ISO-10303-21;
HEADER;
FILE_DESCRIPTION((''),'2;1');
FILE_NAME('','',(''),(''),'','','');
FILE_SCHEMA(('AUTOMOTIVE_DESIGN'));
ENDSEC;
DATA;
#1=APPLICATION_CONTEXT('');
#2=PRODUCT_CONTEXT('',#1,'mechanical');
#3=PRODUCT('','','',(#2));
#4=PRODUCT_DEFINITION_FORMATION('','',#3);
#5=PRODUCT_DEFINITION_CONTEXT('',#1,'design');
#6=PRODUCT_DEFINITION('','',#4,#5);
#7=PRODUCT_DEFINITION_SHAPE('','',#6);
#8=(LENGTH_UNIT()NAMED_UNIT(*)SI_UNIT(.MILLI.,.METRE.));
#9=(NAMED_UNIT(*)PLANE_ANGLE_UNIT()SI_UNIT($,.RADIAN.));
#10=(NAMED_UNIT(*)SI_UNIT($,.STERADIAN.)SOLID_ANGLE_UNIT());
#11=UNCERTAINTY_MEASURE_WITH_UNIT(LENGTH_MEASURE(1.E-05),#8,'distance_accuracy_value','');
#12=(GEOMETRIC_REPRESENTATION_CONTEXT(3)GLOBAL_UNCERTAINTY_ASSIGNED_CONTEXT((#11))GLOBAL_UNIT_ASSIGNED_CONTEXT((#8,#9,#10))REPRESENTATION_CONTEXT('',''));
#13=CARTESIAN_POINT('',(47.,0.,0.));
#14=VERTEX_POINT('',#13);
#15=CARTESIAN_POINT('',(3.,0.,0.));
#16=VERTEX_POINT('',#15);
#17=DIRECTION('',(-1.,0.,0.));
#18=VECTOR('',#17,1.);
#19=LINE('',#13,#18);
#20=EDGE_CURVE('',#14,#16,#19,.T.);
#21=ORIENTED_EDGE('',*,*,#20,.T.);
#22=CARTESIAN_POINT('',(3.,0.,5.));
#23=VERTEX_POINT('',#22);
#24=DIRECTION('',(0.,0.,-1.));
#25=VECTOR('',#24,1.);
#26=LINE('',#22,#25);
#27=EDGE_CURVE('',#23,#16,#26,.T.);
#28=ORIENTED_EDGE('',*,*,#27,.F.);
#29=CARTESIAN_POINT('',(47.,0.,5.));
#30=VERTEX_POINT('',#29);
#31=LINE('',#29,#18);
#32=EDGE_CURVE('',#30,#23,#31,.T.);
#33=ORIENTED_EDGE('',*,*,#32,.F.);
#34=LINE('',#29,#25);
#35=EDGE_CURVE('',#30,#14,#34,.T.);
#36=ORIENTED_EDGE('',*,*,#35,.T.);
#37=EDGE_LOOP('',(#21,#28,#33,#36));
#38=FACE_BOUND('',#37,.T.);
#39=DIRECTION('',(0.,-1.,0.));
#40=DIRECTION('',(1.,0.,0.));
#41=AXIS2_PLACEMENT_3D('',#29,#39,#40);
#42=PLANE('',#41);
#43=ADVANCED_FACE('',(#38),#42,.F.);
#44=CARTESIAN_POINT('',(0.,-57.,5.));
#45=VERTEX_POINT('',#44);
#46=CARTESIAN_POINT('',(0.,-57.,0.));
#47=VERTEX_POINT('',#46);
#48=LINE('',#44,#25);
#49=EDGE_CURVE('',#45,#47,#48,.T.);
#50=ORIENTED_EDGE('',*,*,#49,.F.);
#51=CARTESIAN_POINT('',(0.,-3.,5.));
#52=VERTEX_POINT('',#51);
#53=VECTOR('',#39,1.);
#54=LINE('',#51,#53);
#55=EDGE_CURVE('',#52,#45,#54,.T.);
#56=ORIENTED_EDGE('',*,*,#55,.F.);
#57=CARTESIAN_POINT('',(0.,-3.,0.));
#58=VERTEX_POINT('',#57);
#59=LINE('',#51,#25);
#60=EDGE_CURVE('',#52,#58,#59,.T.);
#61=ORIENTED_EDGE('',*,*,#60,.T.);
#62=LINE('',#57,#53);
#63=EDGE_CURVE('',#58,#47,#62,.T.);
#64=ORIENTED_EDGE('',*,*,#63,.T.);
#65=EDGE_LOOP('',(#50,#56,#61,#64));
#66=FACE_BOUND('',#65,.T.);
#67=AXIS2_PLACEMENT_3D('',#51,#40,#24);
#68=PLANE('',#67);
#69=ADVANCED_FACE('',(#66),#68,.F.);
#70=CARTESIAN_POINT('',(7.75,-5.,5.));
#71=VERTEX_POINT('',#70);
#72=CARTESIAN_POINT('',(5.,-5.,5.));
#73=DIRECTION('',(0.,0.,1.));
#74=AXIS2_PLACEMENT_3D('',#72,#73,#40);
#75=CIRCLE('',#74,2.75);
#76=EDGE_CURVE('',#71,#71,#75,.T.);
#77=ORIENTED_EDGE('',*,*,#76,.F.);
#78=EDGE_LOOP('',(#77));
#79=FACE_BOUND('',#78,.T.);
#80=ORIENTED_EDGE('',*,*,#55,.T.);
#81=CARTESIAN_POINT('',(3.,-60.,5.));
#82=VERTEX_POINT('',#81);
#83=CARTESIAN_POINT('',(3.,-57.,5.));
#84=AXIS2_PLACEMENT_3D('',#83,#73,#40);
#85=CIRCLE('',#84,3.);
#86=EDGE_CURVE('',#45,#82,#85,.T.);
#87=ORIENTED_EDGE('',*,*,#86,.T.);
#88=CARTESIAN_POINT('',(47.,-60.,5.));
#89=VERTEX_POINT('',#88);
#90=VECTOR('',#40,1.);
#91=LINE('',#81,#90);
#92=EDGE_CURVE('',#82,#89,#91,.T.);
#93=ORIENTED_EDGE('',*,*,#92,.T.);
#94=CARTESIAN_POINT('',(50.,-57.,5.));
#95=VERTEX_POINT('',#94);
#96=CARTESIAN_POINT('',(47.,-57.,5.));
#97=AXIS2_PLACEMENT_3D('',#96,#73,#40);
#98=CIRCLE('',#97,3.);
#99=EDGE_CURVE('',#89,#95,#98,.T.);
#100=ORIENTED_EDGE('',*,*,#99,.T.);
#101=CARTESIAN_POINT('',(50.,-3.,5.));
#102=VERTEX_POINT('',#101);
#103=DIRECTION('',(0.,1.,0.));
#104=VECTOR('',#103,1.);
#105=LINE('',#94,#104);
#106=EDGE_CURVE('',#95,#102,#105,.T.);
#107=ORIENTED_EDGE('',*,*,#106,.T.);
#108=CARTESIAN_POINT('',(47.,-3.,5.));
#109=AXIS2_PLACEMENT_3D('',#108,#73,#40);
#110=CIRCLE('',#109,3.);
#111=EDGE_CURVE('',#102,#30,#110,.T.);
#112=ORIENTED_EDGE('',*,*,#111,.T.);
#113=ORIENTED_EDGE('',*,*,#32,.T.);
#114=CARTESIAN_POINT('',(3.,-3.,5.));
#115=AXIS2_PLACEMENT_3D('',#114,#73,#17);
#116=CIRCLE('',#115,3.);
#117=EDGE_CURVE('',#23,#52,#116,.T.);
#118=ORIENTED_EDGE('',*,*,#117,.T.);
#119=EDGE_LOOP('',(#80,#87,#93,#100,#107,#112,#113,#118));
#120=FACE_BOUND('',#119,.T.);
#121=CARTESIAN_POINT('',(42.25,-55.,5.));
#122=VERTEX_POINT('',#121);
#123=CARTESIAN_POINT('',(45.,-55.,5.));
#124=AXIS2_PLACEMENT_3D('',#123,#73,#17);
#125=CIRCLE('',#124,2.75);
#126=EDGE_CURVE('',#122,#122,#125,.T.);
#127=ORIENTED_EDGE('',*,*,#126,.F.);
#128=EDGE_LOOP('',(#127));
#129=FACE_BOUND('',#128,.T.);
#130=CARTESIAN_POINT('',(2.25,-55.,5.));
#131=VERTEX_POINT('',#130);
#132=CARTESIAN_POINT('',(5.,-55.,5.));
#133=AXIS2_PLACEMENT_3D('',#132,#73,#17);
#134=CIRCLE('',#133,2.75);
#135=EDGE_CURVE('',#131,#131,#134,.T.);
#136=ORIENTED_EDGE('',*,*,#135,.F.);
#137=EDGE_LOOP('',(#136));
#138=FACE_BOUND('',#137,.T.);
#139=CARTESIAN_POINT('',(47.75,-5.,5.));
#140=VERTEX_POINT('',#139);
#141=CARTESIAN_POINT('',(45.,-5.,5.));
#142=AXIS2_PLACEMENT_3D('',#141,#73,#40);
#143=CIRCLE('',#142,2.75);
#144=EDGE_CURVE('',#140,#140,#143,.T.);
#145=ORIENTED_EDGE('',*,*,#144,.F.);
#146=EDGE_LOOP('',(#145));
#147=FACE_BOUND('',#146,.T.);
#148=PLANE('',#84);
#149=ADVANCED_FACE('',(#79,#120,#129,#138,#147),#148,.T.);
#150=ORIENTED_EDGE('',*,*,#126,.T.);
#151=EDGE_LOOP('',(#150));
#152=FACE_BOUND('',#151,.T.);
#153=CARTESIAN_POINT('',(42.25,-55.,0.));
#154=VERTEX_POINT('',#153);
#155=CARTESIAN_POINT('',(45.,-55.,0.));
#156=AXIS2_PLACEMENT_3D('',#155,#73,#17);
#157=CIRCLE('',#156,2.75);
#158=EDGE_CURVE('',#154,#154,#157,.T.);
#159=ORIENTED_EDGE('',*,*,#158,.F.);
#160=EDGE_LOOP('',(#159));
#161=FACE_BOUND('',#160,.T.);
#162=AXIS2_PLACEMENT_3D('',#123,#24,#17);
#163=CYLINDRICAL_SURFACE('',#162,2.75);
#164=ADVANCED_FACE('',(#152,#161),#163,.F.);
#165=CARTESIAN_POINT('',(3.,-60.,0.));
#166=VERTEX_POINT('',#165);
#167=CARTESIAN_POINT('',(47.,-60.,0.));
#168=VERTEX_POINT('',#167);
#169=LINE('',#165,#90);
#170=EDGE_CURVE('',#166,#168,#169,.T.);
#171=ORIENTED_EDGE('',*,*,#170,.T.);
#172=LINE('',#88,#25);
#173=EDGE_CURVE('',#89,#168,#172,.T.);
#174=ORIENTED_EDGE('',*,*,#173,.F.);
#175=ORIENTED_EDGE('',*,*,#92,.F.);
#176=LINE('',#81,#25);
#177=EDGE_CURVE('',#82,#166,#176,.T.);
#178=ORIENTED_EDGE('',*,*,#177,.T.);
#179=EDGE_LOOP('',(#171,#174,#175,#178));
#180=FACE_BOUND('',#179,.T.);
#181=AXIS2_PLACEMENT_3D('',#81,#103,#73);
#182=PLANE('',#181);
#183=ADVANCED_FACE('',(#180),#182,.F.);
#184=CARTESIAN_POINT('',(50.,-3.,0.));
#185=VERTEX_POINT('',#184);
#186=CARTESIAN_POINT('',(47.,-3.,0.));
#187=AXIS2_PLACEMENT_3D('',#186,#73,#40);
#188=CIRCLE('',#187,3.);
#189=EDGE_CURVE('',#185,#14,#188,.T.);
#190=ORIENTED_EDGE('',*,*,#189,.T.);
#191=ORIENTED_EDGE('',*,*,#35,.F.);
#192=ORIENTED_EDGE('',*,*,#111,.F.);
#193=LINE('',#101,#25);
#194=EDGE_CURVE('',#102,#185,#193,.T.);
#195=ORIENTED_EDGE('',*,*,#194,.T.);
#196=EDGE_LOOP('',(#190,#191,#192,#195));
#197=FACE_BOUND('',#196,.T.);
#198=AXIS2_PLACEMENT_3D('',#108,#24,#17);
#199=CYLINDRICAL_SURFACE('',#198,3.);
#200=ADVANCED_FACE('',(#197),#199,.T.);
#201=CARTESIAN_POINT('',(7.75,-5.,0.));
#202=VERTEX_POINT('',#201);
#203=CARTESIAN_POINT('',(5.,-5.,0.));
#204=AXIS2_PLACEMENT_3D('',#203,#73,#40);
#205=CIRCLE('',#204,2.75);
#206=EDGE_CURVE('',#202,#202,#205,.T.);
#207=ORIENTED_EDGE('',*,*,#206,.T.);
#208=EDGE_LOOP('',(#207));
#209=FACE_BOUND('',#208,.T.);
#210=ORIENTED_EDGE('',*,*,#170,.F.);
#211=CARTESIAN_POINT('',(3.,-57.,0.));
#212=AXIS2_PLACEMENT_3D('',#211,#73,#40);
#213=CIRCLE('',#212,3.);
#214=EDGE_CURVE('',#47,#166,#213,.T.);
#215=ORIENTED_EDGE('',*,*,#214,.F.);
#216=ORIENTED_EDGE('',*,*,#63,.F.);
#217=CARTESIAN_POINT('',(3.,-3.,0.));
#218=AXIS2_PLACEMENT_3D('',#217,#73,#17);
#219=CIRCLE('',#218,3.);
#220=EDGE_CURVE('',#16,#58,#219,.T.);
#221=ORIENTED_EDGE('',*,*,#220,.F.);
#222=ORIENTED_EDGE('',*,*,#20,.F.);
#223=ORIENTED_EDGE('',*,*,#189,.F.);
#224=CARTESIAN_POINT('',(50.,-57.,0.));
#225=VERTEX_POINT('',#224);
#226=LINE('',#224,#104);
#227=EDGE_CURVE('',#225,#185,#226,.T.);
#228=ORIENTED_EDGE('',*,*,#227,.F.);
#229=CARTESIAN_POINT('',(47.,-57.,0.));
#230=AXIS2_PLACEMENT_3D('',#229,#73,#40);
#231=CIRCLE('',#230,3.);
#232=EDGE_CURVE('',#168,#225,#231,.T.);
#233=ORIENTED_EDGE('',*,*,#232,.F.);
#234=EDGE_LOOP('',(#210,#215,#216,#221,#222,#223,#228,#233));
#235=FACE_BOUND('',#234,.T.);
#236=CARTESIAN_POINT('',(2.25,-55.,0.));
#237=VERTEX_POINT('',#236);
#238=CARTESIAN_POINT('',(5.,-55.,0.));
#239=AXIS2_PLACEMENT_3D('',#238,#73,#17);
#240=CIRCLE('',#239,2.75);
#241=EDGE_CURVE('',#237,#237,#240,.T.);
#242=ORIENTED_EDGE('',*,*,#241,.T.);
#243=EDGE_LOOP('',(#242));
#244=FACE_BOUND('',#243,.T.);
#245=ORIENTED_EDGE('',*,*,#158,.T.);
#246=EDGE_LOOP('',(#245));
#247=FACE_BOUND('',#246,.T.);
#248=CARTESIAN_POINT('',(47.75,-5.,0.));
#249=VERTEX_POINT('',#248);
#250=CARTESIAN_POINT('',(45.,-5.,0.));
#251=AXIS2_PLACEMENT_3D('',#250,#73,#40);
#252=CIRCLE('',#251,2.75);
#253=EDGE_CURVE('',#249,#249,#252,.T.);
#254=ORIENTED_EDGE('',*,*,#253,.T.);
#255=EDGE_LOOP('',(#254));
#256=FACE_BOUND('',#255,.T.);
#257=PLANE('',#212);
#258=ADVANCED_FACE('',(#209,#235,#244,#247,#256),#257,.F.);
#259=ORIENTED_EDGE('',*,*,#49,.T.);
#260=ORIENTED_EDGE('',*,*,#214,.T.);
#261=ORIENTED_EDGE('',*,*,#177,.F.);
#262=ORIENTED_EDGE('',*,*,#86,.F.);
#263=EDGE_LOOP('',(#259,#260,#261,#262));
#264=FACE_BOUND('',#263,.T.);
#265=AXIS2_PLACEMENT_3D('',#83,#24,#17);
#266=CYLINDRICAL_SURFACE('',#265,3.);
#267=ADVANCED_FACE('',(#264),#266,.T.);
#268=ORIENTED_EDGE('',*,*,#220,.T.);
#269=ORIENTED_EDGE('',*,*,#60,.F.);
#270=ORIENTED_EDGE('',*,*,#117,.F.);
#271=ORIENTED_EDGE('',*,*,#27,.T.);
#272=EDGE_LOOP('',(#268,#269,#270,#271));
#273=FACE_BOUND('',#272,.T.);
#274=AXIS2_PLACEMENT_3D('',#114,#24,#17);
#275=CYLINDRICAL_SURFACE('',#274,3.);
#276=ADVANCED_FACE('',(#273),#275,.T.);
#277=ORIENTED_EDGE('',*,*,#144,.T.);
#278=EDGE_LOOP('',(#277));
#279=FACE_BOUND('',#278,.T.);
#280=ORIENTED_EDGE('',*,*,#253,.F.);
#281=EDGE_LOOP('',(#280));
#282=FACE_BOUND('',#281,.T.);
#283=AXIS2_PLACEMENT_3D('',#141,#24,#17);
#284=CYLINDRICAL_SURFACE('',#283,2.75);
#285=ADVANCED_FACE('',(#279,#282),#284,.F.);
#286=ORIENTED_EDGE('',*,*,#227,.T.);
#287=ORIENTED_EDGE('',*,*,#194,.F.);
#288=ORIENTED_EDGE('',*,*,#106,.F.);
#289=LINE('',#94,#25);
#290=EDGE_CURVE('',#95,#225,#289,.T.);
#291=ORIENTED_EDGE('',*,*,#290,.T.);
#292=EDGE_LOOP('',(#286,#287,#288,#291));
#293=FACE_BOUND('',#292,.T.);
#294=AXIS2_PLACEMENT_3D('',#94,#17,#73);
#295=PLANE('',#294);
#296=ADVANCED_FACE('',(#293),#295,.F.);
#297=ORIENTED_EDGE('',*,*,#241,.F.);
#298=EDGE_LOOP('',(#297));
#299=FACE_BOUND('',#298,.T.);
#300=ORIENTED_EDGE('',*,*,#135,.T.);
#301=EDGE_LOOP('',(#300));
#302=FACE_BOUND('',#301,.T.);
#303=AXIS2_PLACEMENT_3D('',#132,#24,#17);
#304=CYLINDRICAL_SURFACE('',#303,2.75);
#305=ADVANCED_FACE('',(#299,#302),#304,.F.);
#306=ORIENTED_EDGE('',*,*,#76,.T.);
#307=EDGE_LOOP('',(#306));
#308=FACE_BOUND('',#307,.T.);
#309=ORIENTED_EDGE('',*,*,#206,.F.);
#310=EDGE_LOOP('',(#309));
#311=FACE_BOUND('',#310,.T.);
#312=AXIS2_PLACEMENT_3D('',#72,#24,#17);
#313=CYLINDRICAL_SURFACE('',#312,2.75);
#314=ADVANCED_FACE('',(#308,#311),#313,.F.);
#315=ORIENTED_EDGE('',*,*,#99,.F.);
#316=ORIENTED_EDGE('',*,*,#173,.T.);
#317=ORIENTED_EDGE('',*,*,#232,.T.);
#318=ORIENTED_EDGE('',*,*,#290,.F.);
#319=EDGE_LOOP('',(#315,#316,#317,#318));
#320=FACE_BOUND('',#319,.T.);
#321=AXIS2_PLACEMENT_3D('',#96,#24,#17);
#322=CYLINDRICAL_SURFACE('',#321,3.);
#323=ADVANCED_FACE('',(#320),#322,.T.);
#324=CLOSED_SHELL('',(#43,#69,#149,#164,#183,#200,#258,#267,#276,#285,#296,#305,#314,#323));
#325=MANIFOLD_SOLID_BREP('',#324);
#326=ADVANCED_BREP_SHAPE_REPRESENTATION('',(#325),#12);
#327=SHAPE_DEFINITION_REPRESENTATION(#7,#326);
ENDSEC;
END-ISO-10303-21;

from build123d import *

# Parameters (mm, degrees)
SKETCH2_R           = 2.75
BOSS_EXTRUDE1_DEPTH = 5


with BuildPart() as part:
    # Sketch2 → Boss-Extrude1 (new body)
    with BuildSketch(Plane.XY):
        with BuildLine():
            Line((0, -3), (0, -57))
            ThreePointArc((0, -57), (0.878679656, -59.121320344), (3, -60))
            Line((3, -60), (47, -60))
            ThreePointArc((47, -60), (49.121320344, -59.121320344), (50, -57))
            Line((50, -57), (50, -3))
            ThreePointArc((50, -3), (49.121320344, -0.878679656), (47, 0))
            Line((47, 0), (3, 0))
            ThreePointArc((3, 0), (0.878679656, -0.878679656), (0, -3))
        make_face()
        with Locations((5, -5)):
            Circle(SKETCH2_R, mode=Mode.SUBTRACT)
        with Locations((45, -5)):
            Circle(SKETCH2_R, mode=Mode.SUBTRACT)
        with Locations(Location((45, -55, 0), (0, 0, 180))):
            Circle(SKETCH2_R, mode=Mode.SUBTRACT)
        with Locations(Location((5, -55, 0), (0, 0, 180))):
            Circle(SKETCH2_R, mode=Mode.SUBTRACT)
    extrude(amount=BOSS_EXTRUDE1_DEPTH)


solid = part.part
